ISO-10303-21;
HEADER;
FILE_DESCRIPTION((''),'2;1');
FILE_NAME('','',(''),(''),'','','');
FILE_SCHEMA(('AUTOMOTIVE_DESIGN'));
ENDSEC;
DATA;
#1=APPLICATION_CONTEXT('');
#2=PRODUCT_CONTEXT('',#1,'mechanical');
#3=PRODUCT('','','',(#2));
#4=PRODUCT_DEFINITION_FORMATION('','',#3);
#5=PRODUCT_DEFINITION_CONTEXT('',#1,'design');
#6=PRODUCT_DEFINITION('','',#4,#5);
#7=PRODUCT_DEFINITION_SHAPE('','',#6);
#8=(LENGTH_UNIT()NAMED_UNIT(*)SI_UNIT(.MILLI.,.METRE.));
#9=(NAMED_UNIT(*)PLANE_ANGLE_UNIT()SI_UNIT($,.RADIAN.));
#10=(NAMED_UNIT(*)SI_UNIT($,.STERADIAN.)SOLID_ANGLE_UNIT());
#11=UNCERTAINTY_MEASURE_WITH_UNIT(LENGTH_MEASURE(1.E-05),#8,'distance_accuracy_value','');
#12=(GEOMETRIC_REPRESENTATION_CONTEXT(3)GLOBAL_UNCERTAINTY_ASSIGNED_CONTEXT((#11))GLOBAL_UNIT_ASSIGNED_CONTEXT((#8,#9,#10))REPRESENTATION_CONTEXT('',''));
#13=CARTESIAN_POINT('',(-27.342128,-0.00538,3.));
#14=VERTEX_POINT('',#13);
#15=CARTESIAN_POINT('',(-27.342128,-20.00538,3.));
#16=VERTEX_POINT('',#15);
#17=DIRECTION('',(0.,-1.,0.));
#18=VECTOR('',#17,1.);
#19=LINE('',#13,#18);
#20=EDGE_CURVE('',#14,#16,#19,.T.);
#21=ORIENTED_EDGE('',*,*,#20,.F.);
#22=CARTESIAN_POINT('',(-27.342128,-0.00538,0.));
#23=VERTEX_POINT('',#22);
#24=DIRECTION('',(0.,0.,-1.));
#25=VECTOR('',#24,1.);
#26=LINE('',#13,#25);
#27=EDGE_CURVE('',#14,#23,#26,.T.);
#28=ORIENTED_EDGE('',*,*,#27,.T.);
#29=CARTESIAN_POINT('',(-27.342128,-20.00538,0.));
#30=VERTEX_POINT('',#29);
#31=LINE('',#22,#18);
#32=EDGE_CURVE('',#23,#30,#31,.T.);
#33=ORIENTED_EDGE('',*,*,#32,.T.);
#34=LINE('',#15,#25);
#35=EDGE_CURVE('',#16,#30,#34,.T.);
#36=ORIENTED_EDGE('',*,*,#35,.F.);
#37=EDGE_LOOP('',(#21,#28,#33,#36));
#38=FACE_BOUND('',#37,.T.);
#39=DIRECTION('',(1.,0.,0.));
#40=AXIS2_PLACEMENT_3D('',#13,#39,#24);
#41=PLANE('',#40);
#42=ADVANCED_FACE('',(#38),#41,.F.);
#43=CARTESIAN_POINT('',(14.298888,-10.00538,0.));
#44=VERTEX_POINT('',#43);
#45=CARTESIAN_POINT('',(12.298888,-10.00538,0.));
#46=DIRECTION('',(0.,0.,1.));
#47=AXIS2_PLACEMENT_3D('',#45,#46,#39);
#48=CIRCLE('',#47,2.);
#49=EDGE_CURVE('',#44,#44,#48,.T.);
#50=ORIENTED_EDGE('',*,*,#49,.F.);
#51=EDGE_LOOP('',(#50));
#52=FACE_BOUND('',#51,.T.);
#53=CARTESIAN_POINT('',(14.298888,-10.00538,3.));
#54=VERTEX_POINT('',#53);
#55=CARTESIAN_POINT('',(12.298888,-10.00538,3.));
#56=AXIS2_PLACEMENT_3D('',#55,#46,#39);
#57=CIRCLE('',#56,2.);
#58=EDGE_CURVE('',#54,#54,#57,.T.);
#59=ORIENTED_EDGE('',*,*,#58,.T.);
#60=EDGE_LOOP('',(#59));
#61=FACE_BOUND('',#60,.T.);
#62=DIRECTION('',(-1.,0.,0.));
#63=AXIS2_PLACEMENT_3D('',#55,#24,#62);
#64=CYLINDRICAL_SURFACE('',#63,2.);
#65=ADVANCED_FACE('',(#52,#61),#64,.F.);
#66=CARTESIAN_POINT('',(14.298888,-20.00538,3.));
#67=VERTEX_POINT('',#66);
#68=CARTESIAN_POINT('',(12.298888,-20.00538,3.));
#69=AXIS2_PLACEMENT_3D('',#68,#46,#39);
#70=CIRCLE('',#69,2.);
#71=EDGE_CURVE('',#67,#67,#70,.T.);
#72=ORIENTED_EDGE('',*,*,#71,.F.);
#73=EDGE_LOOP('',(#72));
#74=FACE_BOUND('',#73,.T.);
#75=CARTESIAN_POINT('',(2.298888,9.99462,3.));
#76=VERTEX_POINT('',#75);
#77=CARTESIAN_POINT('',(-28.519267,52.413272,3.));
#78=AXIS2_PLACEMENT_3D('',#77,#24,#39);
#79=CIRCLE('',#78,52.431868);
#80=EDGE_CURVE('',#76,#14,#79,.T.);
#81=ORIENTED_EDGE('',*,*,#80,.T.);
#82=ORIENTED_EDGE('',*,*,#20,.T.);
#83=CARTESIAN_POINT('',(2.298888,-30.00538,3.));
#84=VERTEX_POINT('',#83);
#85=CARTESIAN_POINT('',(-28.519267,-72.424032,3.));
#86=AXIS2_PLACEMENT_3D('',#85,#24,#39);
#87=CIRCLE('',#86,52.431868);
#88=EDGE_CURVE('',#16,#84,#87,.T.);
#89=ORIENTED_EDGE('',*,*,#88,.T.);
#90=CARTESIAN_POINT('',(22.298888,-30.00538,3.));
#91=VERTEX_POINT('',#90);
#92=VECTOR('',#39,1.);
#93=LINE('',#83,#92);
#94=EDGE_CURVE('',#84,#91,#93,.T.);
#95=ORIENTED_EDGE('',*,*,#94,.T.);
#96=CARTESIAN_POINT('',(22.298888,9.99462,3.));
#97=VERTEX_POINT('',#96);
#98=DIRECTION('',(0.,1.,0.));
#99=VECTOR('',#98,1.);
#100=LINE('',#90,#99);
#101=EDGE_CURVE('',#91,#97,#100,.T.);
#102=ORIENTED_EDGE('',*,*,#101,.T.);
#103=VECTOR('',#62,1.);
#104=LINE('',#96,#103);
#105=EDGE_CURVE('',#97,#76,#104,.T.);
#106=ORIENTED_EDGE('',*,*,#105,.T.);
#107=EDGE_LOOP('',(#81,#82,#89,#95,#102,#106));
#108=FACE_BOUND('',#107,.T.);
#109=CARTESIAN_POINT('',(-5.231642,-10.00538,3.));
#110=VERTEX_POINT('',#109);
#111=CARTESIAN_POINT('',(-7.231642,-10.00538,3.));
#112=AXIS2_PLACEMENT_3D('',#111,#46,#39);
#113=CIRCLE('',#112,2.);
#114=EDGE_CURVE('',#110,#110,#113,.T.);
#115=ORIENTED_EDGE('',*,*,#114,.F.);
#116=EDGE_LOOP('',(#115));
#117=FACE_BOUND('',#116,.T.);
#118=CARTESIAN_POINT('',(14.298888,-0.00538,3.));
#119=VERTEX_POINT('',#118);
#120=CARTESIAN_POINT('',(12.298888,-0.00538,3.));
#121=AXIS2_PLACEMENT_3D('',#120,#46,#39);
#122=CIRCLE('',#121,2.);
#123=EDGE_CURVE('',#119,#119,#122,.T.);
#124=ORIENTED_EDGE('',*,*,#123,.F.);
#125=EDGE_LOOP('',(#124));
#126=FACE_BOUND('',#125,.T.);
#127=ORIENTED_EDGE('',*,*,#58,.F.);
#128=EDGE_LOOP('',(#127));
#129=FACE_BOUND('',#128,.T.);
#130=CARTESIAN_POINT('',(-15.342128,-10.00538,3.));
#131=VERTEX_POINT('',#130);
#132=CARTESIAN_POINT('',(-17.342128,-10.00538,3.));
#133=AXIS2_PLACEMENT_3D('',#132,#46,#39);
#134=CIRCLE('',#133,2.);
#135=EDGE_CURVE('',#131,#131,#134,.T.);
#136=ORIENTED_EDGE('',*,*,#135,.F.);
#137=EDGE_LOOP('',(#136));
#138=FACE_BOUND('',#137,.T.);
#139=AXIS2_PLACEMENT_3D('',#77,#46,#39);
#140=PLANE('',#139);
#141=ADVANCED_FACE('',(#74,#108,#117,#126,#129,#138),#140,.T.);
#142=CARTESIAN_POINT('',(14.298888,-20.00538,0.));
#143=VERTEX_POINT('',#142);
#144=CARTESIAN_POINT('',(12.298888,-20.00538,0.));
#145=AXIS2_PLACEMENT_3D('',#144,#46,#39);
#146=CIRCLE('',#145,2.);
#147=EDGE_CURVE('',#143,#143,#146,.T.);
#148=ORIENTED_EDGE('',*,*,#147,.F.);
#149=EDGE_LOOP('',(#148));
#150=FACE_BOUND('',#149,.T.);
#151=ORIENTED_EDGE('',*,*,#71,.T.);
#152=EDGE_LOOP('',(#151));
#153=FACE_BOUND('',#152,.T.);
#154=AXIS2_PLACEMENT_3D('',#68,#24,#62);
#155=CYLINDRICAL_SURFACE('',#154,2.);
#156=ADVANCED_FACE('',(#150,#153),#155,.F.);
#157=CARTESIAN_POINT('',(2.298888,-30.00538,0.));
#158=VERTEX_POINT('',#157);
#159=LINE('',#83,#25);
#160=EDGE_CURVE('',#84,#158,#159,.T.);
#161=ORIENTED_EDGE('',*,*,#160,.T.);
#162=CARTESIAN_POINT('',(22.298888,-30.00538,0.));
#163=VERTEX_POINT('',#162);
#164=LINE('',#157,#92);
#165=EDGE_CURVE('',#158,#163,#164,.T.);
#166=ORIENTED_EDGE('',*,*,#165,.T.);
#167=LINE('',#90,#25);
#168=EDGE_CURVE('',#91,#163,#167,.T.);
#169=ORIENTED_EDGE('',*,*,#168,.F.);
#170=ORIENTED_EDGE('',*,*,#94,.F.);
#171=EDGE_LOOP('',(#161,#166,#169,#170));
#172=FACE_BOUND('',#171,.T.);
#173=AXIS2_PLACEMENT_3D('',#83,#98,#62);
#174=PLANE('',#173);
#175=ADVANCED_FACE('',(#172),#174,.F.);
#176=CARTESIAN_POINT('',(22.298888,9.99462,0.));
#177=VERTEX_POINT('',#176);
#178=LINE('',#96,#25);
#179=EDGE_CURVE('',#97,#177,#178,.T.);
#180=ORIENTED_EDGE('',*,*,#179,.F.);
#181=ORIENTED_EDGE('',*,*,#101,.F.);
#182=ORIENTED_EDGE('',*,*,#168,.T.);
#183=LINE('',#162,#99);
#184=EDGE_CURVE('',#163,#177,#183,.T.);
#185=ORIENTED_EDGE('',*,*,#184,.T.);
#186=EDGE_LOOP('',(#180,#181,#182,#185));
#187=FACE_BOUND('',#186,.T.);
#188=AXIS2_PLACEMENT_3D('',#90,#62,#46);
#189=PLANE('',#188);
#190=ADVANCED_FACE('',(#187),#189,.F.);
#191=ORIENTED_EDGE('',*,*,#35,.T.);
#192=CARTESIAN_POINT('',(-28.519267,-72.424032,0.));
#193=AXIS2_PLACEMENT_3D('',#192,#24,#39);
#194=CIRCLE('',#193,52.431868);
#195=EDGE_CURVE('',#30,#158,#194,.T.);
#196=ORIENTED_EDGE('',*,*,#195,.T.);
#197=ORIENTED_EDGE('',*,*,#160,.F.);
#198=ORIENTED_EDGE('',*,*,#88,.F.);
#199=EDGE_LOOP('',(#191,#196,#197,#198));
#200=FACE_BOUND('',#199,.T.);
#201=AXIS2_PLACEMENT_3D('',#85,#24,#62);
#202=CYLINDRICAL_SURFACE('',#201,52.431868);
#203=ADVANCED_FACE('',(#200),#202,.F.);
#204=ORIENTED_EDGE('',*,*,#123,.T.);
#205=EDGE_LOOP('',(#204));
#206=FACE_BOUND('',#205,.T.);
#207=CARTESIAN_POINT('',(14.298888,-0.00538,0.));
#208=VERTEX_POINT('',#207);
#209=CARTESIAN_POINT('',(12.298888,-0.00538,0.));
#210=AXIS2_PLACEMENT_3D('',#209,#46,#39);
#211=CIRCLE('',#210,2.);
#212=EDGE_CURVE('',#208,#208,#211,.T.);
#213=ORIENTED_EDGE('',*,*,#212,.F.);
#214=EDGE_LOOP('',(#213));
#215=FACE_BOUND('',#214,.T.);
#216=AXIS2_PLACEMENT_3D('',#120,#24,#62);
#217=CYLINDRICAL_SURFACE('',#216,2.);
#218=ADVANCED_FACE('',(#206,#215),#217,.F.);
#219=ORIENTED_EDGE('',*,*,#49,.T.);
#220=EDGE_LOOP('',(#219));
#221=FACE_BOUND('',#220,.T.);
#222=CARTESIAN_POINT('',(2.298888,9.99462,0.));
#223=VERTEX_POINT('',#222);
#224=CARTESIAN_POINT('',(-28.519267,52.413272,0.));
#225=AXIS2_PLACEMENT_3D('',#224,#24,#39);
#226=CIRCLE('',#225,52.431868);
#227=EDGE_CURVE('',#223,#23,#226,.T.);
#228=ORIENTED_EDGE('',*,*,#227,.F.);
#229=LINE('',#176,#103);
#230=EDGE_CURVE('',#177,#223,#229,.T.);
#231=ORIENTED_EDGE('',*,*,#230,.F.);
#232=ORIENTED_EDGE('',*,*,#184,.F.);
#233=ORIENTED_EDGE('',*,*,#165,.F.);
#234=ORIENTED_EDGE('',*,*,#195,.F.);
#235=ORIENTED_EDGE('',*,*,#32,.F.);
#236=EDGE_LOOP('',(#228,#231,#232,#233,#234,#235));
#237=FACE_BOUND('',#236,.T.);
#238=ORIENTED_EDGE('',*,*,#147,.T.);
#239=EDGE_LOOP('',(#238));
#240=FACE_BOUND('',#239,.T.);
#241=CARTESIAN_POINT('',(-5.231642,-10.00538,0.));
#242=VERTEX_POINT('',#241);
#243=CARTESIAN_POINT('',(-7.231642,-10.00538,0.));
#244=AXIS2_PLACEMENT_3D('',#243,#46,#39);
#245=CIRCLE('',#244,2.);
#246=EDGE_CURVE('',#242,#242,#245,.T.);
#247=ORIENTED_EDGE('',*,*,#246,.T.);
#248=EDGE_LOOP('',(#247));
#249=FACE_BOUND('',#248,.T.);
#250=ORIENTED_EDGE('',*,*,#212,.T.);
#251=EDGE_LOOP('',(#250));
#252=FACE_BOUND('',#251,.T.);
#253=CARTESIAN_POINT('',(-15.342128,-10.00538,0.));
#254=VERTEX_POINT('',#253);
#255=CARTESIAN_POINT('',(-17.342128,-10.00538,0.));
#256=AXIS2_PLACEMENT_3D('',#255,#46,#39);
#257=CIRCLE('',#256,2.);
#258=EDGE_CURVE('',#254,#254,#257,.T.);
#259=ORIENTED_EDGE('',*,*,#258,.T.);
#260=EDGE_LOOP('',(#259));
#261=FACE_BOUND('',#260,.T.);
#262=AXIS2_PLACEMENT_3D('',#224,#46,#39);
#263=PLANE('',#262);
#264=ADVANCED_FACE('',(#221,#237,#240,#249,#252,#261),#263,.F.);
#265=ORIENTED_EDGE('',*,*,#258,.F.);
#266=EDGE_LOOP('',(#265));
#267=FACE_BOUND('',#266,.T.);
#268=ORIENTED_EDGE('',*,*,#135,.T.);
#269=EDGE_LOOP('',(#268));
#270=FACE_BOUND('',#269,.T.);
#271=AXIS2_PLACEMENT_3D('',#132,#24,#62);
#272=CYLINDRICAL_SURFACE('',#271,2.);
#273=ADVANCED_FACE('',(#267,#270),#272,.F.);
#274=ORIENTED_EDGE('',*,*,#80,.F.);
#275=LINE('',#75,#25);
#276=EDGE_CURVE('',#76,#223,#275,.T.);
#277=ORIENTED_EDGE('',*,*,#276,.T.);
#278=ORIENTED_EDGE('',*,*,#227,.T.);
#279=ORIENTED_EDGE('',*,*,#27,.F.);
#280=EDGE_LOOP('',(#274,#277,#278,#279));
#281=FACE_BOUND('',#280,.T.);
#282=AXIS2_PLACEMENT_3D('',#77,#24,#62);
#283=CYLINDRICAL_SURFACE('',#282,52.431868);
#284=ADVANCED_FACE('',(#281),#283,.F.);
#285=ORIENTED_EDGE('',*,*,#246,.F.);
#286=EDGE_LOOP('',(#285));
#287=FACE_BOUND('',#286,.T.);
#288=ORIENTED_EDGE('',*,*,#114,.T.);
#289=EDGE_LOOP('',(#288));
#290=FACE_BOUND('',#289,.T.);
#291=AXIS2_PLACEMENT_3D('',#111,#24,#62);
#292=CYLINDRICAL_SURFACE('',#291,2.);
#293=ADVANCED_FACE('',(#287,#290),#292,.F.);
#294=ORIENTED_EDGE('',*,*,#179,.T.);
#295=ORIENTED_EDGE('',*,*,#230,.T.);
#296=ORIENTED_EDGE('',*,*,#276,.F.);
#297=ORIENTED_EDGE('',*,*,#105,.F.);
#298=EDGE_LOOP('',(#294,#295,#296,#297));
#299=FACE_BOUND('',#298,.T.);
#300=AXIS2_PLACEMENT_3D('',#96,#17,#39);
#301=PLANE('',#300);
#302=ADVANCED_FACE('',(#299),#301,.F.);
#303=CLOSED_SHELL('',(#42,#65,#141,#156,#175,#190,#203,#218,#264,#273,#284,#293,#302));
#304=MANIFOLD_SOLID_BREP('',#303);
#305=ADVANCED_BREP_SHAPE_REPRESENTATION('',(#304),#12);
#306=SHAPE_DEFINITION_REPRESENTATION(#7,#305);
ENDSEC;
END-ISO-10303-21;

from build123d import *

# Parameters (mm, degrees)
SKETCH_1_R      = 2
EXTRUDE_1_DEPTH = 3


with BuildPart() as part:
    # 草图1 → 凸台-拉伸1 (new body)
    with BuildSketch(Plane.XY):
        with BuildLine():
            Line((-27.342128098, -0.00537982), (-27.342128098, -20.00537982))
            ThreePointArc((-27.342128098, -20.00537982), (-11.758458295, -22.743290911), (2.298888053, -30.00537982))
            Line((2.298888053, -30.00537982), (22.298888053, -30.00537982))
            Line((22.298888053, -30.00537982), (22.298888053, 9.99462018))
            Line((22.298888053, 9.99462018), (2.298888053, 9.99462018))
            ThreePointArc((2.298888053, 9.99462018), (-11.758458295, 2.732531272), (-27.342128098, -0.00537982))
        make_face()
        with Locations((-17.342128098, -10.00537982)):
            Circle(SKETCH_1_R, mode=Mode.SUBTRACT)
        with Locations((-7.231642467, -10.00537982)):
            Circle(SKETCH_1_R, mode=Mode.SUBTRACT)
        with Locations((12.298888053, -10.00537982)):
            Circle(SKETCH_1_R, mode=Mode.SUBTRACT)
        with Locations((12.298888053, -0.00537982)):
            Circle(SKETCH_1_R, mode=Mode.SUBTRACT)
        with Locations((12.298888053, -20.00537982)):
            Circle(SKETCH_1_R, mode=Mode.SUBTRACT)
    extrude(amount=EXTRUDE_1_DEPTH)


solid = part.part
